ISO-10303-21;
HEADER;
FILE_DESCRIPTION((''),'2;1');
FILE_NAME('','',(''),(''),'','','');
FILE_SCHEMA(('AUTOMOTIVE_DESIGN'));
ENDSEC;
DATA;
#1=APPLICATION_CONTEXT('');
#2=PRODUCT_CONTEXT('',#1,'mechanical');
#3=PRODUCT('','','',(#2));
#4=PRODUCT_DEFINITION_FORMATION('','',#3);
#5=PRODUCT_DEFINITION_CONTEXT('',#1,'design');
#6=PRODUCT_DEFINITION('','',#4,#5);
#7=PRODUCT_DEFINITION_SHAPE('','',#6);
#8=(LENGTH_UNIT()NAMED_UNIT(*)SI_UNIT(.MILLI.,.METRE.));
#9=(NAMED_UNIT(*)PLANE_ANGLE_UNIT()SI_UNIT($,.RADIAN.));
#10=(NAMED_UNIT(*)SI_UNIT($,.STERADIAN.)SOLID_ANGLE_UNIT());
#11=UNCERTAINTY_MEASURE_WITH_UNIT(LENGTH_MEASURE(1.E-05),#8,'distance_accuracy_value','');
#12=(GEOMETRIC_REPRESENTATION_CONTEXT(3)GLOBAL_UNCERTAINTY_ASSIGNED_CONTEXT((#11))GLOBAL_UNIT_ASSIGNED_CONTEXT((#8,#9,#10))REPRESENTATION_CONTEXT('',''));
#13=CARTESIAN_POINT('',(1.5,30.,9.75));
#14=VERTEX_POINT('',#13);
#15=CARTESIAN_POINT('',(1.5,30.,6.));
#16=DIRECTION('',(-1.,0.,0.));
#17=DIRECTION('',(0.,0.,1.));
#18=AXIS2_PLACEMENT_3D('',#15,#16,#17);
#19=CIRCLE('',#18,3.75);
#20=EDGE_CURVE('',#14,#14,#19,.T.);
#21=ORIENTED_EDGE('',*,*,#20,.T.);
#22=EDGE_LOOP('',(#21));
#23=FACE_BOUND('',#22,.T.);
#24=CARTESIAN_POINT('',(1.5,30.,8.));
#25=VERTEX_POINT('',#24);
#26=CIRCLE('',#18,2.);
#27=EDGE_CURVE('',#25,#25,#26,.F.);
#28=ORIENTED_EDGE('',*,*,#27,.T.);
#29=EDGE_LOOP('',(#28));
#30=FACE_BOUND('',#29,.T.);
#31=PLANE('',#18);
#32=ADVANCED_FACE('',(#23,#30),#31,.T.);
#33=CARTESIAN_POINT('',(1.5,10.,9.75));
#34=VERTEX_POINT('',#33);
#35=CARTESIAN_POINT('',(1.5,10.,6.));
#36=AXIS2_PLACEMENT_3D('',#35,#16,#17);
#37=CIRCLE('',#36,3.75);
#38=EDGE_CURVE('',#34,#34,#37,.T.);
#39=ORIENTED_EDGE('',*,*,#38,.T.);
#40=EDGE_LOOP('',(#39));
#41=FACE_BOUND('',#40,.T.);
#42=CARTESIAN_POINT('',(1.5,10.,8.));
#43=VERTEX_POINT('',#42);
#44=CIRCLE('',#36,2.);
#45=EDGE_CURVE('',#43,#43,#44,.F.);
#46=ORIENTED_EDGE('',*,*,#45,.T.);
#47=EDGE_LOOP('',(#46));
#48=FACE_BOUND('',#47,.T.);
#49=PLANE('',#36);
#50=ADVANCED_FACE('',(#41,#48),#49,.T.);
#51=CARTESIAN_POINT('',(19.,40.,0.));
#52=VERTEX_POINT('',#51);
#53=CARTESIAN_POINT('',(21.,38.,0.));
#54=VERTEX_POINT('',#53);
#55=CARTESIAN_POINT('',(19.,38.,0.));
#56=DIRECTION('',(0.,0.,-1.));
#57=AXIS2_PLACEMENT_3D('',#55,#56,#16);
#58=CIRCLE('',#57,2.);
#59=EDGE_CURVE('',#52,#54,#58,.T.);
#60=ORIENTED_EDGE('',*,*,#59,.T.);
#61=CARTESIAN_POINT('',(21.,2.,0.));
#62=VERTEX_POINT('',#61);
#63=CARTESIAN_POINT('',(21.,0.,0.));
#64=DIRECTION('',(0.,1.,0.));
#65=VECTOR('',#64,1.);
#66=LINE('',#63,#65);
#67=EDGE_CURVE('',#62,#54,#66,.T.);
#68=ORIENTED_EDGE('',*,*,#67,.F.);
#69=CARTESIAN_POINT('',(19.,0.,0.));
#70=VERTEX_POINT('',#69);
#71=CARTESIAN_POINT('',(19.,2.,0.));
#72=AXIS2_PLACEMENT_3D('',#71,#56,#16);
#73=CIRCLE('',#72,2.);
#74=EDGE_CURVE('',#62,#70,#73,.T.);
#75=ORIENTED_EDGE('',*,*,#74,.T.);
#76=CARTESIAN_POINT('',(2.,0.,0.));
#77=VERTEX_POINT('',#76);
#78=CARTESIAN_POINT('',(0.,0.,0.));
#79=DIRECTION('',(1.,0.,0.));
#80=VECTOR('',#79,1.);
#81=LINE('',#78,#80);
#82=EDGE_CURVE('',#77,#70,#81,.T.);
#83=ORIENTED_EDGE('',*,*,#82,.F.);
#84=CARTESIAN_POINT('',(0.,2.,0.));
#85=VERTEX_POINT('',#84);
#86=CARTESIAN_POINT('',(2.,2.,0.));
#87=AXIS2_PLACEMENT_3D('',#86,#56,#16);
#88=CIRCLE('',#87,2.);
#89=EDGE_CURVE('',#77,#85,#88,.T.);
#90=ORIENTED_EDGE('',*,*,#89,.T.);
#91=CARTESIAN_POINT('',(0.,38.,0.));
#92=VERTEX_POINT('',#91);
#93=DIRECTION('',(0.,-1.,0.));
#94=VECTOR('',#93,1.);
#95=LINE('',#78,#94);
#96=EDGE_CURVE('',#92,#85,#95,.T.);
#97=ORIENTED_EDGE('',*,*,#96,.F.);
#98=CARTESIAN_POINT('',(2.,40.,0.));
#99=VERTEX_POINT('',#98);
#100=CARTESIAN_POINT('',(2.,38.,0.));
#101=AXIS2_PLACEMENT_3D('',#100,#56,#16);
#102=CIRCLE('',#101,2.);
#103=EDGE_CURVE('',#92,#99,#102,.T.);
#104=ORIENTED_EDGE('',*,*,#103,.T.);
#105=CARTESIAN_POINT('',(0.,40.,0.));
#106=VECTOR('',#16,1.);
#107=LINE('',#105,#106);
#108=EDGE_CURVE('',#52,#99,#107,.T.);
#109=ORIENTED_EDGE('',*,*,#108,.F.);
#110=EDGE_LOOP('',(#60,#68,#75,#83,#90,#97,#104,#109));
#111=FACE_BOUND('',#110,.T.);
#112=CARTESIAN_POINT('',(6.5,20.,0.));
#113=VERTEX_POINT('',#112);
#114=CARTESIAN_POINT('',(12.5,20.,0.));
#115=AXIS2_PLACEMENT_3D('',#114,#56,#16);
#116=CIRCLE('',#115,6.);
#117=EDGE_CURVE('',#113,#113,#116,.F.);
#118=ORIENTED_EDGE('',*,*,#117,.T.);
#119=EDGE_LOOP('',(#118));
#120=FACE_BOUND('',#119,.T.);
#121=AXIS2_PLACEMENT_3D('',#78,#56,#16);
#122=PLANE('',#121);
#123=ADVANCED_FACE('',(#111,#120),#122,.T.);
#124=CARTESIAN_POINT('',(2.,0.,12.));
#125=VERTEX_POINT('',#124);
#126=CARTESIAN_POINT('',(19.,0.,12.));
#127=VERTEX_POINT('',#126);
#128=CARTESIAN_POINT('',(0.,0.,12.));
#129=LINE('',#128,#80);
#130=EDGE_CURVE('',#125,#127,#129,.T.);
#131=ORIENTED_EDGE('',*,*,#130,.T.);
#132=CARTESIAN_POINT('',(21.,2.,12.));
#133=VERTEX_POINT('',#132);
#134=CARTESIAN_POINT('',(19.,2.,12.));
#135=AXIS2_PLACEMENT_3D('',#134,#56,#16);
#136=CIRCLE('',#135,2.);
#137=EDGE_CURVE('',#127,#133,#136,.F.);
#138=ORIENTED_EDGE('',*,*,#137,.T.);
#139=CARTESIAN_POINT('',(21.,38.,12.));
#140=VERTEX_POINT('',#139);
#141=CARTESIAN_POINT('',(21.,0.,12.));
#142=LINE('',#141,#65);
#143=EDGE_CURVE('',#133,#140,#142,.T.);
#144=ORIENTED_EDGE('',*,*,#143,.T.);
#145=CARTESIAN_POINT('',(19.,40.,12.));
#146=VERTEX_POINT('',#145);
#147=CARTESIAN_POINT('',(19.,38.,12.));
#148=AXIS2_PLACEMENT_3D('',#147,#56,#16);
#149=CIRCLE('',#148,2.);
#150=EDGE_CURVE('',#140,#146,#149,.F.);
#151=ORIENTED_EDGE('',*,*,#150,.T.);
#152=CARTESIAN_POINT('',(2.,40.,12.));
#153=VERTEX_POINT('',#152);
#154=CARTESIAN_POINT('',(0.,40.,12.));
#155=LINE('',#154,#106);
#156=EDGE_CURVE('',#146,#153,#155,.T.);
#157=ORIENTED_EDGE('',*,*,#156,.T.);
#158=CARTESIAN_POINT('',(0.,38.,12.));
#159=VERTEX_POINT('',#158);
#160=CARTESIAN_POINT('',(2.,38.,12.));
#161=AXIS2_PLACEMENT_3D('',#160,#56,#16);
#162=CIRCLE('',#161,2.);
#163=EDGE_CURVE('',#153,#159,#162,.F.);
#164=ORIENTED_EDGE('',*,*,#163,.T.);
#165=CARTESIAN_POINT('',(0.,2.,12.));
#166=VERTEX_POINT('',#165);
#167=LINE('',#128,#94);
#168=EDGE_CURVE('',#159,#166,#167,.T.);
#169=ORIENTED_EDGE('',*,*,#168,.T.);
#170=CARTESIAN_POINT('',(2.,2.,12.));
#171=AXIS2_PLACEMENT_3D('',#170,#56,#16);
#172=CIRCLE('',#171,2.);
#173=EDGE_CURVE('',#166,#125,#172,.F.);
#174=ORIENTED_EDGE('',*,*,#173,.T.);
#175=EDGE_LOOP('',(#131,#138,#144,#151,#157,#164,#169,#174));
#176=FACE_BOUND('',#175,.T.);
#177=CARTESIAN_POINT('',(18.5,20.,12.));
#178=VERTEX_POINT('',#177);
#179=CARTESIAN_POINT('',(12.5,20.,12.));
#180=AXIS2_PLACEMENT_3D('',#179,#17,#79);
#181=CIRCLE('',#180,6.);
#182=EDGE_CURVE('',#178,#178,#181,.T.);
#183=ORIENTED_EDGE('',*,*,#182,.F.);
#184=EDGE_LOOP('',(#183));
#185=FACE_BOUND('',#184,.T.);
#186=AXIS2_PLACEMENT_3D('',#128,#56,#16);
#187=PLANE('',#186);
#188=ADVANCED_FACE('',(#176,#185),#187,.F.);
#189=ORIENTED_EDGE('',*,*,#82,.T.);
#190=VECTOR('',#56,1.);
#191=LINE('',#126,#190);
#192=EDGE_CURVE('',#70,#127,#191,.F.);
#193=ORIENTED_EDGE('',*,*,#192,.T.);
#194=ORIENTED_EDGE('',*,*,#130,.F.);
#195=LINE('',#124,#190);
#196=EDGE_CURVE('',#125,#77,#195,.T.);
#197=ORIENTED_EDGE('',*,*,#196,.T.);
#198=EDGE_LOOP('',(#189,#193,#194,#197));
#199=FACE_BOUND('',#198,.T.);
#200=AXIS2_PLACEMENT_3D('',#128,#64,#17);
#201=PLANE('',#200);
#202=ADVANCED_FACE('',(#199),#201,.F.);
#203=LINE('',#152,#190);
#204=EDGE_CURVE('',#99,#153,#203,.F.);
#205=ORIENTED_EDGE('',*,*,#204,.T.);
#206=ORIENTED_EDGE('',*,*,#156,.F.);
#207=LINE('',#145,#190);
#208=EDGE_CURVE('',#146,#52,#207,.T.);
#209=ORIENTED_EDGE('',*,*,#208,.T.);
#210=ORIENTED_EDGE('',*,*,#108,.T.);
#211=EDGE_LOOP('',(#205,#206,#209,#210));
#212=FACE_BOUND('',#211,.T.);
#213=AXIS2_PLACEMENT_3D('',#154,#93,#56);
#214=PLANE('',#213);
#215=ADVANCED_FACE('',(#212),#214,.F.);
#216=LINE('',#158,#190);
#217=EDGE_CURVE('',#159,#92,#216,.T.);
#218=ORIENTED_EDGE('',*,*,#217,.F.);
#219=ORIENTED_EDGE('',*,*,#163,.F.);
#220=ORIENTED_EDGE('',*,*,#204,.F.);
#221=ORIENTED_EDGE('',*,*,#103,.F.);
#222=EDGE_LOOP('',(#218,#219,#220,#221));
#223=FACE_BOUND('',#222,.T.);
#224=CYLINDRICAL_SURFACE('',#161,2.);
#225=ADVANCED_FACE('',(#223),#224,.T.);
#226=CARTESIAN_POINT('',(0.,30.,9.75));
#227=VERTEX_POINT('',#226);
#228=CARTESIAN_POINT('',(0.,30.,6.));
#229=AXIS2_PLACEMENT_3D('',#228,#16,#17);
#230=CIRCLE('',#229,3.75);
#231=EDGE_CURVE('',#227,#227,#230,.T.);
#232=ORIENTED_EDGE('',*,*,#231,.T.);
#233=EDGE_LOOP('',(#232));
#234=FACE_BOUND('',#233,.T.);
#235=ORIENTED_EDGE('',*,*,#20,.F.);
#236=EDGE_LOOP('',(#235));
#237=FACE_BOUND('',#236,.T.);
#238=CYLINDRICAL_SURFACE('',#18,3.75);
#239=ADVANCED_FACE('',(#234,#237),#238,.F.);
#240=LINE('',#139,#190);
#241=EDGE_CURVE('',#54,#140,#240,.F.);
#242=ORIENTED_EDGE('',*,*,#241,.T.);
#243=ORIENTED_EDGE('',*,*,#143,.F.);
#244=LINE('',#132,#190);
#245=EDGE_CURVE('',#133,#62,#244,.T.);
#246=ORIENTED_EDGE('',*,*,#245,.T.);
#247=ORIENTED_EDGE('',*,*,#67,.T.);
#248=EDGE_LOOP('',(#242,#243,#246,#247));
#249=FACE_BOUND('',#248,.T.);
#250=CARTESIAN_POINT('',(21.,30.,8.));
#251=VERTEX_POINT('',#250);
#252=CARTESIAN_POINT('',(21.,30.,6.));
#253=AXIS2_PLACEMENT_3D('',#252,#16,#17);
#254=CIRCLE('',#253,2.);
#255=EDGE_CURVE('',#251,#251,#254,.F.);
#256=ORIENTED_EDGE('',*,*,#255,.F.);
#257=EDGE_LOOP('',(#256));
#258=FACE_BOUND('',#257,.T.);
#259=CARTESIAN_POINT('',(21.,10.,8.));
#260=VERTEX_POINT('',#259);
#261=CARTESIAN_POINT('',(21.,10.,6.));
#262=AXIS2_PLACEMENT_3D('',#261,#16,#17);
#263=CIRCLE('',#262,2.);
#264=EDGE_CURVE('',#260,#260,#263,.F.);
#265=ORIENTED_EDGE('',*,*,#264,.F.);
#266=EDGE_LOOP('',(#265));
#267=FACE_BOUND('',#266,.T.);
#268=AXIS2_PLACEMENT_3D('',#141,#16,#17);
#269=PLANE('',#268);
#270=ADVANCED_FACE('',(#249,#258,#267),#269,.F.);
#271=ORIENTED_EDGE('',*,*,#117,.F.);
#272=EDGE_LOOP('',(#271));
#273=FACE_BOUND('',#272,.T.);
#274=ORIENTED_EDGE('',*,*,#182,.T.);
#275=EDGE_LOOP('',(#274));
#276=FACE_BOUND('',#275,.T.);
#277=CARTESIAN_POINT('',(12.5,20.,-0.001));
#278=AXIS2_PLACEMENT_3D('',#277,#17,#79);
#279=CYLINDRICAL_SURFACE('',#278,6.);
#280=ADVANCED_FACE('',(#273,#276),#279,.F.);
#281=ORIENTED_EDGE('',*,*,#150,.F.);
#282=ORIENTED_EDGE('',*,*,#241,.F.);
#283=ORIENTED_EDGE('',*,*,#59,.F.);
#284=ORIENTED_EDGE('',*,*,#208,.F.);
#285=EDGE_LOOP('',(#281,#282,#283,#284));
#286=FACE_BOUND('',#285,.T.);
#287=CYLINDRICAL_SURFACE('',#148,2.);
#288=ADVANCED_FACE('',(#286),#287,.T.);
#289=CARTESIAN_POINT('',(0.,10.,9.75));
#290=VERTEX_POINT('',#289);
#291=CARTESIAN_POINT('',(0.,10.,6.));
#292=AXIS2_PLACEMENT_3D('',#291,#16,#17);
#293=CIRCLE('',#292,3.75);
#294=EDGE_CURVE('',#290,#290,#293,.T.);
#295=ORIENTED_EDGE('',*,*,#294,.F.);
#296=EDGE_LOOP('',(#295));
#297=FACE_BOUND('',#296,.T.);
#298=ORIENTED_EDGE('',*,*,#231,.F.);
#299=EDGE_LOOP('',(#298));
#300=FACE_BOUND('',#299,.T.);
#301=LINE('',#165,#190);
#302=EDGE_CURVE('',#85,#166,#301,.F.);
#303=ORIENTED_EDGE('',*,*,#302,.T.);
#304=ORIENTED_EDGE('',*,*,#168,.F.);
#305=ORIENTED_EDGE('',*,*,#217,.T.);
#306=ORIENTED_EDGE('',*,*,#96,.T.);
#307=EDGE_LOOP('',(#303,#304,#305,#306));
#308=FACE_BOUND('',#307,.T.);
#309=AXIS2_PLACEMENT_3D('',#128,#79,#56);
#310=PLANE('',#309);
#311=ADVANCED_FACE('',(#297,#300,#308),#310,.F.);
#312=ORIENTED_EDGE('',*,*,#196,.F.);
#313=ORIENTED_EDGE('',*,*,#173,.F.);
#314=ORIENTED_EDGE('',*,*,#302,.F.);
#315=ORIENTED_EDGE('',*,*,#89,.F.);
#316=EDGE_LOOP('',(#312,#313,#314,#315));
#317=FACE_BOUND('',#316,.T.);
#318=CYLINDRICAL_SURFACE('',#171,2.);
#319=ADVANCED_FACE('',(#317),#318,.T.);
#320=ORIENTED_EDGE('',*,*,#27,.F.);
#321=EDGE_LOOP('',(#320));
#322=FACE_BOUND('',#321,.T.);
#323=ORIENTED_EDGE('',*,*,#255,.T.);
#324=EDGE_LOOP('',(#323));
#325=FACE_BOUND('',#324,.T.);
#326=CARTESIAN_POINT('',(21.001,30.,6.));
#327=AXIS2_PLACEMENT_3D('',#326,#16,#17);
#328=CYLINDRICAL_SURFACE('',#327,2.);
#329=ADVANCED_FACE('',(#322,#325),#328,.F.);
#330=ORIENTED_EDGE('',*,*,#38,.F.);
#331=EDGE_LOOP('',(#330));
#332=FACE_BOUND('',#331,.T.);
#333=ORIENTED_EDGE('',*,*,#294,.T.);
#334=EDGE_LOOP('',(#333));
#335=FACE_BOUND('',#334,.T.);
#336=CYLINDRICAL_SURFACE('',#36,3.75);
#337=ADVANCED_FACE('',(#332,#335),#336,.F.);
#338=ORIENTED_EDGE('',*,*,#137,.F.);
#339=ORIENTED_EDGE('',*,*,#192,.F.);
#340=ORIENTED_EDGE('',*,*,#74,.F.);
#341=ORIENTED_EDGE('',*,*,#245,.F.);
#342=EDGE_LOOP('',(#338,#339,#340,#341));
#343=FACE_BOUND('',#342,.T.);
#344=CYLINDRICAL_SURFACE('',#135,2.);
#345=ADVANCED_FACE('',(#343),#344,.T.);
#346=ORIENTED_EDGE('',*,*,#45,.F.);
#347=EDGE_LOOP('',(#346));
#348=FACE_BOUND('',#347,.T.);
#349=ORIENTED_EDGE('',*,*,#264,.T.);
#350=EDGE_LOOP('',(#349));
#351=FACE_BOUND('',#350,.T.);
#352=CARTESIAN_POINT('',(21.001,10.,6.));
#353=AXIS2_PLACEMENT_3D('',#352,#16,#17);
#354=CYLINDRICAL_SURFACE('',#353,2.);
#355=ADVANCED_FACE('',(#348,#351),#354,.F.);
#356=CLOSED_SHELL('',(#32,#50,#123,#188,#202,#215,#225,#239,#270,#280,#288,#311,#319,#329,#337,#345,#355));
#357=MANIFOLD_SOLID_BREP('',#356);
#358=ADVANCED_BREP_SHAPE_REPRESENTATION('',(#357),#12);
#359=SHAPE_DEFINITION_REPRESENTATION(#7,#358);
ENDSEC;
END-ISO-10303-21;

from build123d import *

# Parameters (mm, degrees)
SKETCH1_W           = 21
SKETCH1_H           = 40
BOSS_EXTRUDE1_DEPTH = 12
CUT_EXTRUDE1_REACH  = 48.744
SKETCH2_R           = 6
CUT_EXTRUDE2_REACH  = 48.744
SKETCH3_R           = 2
SKETCH4_R           = 3.75
CUT_EXTRUDE3_DEPTH  = 1.5
FILLET1_R           = 2


with BuildPart() as part:
    # Sketch1 → Boss-Extrude1 (new body)
    with BuildSketch(Plane.XY):
        with Locations((10.5, 20)):
            Rectangle(SKETCH1_W, SKETCH1_H)
    extrude(amount=BOSS_EXTRUDE1_DEPTH)

    # Sketch2 → Cut-Extrude1 (cut, up to next)
    with BuildSketch(Plane.XY.offset(12), mode=Mode.PRIVATE) as cut_extrude1_sk1:
        with Locations((12.5, 20)):
            Circle(SKETCH2_R)
    cut_extrude1_tool1 = extrude(cut_extrude1_sk1.sketch, amount=-CUT_EXTRUDE1_REACH, mode=Mode.PRIVATE) & part.part
    add(cut_extrude1_tool1.solids().sort_by_distance((12.5, 20, 12))[0], mode=Mode.SUBTRACT)

    # Sketch3 → Cut-Extrude2 (cut, up to next)
    with BuildSketch(Plane.ZY, mode=Mode.PRIVATE) as cut_extrude2_sk1:
        with Locations((6, 30)):
            Circle(SKETCH3_R)
    cut_extrude2_tool1 = extrude(cut_extrude2_sk1.sketch, amount=-CUT_EXTRUDE2_REACH, mode=Mode.PRIVATE) & part.part
    # Sketch3 → Cut-Extrude2 (cut, up to next)
    with BuildSketch(Plane.ZY, mode=Mode.PRIVATE) as cut_extrude2_sk2:
        with Locations((6, 10)):
            Circle(SKETCH3_R)
    cut_extrude2_tool2 = extrude(cut_extrude2_sk2.sketch, amount=-CUT_EXTRUDE2_REACH, mode=Mode.PRIVATE) & part.part
    add(cut_extrude2_tool1.solids().sort_by_distance((0, 30, 6))[0], mode=Mode.SUBTRACT)
    add(cut_extrude2_tool2.solids().sort_by_distance((0, 10, 6))[0], mode=Mode.SUBTRACT)

    # Sketch4 → Cut-Extrude3 (cut)
    with BuildSketch(Plane.ZY):
        with Locations((6, 30)):
            Circle(SKETCH4_R)
        with Locations((6, 10)):
            Circle(SKETCH4_R)
    extrude(amount=-CUT_EXTRUDE3_DEPTH, mode=Mode.SUBTRACT)

    # Fillet1
    fillet1_edges = [part.edges().sort_by_distance(p)[0] for p in [
        (0, 40, 6),
        (21, 40, 6),
        (21, 0, 6),
        (0, 0, 6),
    ]]
    fillet(fillet1_edges, radius=FILLET1_R)


solid = part.part
